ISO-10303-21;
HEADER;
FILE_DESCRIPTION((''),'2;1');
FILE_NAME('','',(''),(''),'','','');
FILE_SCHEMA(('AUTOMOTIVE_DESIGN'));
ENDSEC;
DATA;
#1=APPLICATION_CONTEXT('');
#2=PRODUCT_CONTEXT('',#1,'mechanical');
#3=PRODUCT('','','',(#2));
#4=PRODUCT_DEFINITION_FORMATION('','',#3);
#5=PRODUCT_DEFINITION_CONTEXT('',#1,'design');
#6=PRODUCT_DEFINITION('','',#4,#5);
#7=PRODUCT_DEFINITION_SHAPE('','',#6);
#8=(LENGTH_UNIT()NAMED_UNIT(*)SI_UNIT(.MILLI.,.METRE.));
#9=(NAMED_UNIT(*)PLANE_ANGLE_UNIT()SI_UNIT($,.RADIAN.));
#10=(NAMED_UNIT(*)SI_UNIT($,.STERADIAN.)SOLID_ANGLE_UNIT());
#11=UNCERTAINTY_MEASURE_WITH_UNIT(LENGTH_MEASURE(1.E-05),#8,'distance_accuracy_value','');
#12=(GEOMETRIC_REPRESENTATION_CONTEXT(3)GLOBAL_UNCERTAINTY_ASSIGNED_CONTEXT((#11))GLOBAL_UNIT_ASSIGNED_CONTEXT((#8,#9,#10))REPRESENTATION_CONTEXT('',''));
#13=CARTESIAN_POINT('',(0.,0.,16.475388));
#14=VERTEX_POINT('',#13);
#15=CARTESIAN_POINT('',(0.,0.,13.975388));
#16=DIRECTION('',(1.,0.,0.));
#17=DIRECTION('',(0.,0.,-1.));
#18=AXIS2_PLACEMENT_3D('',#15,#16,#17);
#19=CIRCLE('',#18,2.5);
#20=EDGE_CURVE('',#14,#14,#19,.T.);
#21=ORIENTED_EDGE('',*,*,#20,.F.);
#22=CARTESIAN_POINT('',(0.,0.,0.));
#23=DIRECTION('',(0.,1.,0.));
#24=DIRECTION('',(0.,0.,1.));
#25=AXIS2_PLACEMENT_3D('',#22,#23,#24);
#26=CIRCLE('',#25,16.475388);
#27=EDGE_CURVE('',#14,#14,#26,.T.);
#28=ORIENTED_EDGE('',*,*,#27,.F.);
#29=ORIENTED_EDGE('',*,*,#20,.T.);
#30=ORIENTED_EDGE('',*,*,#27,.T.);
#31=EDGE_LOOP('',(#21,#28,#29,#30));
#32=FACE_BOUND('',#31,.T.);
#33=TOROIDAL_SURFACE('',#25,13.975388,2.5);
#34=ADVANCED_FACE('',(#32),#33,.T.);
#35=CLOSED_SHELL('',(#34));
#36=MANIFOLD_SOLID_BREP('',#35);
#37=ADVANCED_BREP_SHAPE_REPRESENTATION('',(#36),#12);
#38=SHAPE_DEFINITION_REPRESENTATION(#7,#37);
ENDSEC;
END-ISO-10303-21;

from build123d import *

# Parameters (mm, degrees)
SKETCH2_R = 2.5


with BuildPart() as part:
    # Sweep1: sweep along a path in Sketch1
    with BuildLine(Plane(origin=(0, 0, 0), x_dir=(1, 0, 0), z_dir=(0, 1, 0))) as sweep1_path:
        CenterArc((0, 0), 13.975388379, 0, 360)
    # Sketch2 → Sweep1 (sweep)
    with BuildSketch(Plane(origin=(0, 0, 0), x_dir=(0, 0, -1), z_dir=(1, 0, 0))):
        with Locations((-13.975388379, 0)):
            Circle(SKETCH2_R)
    sweep(path=sweep1_path.line)


solid = part.part
